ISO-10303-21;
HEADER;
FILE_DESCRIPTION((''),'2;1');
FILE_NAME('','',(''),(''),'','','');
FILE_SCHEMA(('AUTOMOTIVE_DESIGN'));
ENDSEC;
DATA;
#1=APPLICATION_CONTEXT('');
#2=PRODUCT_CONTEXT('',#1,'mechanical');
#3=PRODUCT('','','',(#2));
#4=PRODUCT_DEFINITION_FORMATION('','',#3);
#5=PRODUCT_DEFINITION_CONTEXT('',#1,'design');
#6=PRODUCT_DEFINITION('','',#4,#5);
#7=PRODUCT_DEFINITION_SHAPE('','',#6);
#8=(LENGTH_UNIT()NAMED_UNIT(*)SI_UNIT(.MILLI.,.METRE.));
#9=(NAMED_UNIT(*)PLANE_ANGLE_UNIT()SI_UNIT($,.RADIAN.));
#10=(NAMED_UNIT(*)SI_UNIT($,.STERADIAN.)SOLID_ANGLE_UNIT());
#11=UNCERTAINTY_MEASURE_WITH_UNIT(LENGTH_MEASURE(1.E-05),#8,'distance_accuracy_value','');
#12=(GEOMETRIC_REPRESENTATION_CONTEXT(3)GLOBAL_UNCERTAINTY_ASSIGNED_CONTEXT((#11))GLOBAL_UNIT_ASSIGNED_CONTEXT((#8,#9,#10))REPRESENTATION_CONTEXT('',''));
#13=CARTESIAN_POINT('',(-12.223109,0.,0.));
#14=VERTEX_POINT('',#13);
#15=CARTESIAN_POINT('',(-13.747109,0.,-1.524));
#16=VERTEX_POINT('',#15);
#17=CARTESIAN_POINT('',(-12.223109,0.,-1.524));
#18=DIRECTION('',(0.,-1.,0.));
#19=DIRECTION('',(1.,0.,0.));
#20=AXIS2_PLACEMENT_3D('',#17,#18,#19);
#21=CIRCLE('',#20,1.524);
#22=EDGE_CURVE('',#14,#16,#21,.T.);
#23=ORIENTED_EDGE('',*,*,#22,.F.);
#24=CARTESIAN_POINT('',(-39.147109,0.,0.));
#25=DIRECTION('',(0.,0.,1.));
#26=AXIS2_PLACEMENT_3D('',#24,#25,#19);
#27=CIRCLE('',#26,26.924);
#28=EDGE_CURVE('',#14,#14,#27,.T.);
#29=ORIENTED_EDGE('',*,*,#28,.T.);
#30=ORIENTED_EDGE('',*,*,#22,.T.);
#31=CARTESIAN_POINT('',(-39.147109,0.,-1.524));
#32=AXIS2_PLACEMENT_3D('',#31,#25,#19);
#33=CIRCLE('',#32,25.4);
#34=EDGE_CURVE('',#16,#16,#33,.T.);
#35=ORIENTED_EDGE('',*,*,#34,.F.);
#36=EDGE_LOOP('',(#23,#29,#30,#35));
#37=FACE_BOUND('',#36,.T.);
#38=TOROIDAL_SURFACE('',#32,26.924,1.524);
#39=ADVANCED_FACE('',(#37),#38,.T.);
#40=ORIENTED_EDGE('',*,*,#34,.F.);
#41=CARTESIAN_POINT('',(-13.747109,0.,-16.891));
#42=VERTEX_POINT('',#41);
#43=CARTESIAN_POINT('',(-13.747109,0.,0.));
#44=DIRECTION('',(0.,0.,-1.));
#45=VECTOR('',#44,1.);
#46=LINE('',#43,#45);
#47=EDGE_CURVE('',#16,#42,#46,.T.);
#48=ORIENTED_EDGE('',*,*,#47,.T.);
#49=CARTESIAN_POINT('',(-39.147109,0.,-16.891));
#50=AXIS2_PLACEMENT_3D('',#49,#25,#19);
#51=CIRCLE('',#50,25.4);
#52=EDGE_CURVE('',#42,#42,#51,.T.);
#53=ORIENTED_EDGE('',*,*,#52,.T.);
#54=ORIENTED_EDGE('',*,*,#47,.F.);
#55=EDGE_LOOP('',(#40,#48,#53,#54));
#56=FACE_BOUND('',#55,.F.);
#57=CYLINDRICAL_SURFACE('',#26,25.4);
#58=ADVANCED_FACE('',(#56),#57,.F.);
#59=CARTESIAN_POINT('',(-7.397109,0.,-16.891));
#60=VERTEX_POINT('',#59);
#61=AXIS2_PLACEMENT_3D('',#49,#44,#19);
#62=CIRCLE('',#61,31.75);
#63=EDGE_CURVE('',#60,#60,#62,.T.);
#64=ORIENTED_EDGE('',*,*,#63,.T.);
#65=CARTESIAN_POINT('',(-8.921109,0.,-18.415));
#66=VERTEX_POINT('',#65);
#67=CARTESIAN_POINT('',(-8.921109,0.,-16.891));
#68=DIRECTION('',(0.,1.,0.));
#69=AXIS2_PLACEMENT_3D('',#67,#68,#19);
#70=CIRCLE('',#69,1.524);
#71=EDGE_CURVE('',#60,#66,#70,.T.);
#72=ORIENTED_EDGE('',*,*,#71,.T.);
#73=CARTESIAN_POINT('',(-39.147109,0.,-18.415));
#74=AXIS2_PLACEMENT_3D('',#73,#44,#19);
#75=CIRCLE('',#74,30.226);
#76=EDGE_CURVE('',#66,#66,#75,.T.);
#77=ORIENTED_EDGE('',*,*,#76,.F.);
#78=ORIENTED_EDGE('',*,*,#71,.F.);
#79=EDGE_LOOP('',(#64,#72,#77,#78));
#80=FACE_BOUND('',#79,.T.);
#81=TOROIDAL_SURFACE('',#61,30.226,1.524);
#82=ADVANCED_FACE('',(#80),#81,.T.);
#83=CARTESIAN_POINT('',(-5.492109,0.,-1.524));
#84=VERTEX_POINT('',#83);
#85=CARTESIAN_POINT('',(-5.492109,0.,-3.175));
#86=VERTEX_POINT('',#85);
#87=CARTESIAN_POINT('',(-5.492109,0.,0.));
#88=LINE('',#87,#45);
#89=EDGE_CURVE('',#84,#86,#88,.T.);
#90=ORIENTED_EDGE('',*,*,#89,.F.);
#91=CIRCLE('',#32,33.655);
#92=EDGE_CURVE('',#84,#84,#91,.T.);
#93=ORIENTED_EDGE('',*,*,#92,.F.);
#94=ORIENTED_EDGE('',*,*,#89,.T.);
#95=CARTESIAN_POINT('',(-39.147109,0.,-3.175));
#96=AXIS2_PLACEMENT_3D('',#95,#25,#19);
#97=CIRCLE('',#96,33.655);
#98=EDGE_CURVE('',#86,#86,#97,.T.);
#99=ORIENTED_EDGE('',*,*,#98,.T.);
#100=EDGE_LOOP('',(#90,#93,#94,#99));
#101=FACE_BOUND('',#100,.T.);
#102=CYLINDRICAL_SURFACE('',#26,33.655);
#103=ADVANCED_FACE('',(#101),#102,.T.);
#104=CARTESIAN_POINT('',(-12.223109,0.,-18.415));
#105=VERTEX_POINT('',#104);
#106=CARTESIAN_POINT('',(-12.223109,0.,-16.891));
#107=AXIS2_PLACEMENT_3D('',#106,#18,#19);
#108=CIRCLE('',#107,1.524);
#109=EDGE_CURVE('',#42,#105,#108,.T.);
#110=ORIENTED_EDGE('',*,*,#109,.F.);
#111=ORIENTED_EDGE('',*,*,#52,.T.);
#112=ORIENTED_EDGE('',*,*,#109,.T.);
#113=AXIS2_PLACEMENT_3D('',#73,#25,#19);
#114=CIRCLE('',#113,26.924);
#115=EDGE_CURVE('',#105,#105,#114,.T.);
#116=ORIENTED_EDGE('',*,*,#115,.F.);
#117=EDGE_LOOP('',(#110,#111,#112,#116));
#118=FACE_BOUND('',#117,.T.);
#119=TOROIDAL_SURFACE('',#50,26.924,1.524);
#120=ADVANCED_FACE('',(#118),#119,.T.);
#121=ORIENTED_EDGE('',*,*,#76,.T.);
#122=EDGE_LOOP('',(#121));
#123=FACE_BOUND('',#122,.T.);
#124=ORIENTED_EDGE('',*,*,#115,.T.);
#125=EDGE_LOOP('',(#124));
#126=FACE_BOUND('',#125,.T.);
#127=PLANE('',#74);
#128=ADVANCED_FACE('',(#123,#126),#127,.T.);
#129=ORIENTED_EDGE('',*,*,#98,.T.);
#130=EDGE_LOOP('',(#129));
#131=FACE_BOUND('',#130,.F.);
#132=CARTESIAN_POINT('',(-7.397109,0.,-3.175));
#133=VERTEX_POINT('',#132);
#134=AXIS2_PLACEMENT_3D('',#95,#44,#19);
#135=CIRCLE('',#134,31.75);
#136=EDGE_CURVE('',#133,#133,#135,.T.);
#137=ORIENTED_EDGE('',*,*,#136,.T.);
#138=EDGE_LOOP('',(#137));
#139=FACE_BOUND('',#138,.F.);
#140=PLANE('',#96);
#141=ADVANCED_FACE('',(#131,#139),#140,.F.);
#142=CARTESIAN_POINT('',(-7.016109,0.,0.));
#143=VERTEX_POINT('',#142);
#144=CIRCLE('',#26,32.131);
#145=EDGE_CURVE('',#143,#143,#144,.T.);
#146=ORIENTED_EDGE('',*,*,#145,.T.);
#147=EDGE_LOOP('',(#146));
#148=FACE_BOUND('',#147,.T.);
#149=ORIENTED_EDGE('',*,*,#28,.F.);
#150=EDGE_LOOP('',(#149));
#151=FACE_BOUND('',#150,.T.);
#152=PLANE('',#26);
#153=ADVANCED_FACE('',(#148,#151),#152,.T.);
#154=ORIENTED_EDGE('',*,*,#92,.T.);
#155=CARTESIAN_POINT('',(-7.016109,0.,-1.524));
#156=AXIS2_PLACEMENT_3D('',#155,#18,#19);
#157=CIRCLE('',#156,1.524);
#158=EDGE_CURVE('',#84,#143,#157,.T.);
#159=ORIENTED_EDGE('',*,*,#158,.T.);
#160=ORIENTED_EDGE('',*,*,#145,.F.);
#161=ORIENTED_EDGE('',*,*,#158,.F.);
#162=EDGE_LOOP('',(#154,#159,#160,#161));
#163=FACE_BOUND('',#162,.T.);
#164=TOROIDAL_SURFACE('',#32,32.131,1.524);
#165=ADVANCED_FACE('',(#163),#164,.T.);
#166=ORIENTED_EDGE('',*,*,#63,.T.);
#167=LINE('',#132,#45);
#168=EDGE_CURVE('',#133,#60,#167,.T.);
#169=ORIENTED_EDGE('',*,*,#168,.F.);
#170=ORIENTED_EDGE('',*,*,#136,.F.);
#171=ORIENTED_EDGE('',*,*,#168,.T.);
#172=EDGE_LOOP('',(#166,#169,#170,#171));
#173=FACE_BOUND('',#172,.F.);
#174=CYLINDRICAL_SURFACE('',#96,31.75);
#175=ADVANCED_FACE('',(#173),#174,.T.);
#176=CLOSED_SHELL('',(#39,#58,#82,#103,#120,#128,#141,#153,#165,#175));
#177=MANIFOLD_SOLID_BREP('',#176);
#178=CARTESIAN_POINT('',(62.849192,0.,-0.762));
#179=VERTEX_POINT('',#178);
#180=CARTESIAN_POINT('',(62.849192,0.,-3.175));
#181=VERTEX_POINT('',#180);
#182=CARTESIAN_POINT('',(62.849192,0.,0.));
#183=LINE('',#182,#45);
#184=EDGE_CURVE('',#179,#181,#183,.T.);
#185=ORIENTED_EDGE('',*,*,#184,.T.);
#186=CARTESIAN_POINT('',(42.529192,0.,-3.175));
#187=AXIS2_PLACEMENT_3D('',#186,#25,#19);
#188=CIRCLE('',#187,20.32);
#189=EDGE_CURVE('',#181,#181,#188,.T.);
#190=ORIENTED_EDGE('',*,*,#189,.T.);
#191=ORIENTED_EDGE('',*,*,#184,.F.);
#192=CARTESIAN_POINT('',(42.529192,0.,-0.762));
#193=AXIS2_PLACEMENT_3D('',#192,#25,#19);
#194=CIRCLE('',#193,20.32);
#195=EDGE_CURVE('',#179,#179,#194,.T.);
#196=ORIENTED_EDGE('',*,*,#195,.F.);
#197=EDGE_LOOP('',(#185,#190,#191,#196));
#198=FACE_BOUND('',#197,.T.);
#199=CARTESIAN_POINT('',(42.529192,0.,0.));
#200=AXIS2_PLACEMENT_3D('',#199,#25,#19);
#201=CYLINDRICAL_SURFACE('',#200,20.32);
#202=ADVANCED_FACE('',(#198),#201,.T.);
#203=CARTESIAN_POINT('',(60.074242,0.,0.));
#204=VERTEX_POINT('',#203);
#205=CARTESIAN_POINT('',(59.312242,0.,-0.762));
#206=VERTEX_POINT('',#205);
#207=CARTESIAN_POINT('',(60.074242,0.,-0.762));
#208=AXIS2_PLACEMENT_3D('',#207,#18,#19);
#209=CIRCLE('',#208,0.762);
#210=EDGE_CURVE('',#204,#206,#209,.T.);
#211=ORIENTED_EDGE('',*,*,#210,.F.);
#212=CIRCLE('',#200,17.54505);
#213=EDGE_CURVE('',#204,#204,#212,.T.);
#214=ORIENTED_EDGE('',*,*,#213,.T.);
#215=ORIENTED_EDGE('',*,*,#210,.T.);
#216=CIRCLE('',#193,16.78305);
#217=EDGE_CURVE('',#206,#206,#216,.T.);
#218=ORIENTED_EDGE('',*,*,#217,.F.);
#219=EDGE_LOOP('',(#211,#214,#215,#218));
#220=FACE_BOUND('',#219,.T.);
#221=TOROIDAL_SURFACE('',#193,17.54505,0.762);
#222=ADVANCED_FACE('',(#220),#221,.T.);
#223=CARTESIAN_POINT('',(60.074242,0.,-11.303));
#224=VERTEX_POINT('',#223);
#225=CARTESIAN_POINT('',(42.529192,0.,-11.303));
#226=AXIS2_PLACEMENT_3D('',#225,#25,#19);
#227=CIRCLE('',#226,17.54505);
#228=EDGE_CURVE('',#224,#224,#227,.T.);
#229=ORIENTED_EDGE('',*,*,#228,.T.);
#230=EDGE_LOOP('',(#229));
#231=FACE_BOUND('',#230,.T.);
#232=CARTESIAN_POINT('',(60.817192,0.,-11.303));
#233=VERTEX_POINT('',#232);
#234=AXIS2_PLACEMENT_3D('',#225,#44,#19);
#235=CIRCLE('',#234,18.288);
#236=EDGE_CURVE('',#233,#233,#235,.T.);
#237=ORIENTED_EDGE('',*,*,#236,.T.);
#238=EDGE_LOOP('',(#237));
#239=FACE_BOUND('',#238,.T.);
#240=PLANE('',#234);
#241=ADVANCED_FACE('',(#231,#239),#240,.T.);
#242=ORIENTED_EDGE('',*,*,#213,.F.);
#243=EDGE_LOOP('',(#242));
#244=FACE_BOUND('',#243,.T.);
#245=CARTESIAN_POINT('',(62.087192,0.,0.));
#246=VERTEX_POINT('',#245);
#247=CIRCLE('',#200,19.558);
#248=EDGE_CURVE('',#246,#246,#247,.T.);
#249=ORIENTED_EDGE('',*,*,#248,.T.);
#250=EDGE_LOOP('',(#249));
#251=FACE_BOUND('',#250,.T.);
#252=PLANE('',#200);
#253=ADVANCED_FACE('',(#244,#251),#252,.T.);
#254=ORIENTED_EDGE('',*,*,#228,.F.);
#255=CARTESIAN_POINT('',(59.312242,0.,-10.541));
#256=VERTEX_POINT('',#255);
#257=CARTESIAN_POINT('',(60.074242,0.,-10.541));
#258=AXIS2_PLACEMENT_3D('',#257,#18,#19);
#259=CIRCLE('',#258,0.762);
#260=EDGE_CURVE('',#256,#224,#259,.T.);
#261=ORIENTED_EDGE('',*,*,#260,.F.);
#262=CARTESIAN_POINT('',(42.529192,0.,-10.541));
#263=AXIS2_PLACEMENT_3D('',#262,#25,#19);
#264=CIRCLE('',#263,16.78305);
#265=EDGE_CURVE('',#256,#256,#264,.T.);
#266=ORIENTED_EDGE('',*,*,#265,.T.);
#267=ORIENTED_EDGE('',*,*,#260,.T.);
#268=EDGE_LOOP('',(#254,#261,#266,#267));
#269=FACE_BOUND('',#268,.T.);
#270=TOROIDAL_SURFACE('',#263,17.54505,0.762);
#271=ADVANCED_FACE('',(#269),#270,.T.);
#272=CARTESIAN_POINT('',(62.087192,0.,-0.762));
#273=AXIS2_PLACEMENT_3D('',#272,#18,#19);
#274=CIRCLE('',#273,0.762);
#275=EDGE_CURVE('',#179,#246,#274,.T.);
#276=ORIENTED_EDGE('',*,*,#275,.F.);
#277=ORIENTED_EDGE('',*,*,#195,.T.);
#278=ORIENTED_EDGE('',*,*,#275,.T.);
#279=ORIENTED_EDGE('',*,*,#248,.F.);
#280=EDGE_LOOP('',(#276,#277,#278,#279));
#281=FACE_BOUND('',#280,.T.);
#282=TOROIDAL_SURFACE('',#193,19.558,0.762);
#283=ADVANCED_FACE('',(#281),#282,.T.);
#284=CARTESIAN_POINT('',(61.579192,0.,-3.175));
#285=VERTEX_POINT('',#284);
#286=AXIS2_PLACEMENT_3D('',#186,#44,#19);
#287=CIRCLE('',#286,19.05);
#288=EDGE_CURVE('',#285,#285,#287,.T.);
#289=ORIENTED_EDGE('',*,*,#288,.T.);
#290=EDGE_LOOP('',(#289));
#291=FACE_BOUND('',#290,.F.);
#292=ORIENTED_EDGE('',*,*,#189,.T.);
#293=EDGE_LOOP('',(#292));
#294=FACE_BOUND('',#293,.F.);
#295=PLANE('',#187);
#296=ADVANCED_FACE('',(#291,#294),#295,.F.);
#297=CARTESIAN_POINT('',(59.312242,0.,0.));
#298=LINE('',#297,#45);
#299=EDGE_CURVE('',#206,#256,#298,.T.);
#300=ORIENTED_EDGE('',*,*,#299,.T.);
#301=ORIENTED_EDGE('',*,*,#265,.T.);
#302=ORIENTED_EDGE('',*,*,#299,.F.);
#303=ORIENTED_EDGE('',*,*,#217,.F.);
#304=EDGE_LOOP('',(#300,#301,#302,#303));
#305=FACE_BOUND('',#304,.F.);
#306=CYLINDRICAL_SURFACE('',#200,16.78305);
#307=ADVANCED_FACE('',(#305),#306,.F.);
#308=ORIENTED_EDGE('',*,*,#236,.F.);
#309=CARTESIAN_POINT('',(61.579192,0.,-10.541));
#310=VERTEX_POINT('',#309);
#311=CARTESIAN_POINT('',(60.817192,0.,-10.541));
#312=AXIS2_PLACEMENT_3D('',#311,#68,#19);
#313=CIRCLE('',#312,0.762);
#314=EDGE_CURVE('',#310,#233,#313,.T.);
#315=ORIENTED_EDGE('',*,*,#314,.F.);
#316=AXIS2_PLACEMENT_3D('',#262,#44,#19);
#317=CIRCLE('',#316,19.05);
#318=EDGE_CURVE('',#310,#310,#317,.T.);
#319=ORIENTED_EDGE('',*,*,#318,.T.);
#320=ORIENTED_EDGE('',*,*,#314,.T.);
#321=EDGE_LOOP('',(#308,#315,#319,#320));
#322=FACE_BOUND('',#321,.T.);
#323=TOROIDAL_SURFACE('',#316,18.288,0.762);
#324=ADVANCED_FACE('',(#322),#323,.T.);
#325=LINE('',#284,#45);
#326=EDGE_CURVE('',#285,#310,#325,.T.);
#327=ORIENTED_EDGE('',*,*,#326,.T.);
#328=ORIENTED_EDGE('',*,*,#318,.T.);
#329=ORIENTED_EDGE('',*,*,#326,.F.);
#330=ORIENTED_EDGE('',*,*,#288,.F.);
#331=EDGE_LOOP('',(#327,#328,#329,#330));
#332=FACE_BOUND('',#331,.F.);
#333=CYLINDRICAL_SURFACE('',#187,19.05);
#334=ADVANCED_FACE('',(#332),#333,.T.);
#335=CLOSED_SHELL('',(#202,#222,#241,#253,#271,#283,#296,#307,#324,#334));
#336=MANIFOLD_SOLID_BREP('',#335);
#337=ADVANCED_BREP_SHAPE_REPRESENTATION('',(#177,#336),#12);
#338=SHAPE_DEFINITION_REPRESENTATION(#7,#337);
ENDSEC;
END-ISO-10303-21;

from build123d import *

# Parameters (mm, degrees)
F0_R     = 33.655
F0_R_2   = 20.32
F1_DEPTH = 3.175
F2_R     = 31.75
F3_DEPTH = 15.24
F4_R     = 19.05
F5_DEPTH = 8.128
F6_R     = 25.4
F7_DEPTH = 25.4
F8_R     = 16.78305
F9_DEPTH = 25.4
F10_R    = 1.524
F11_R    = 0.762


with BuildPart() as f1:
    # F0 (on Top) → F1 (new body)
    with BuildSketch(Plane.XY):
        with Locations((-39.147109, 0)):
            Circle(F0_R)
        with Locations((42.529192, 0)):
            Circle(F0_R_2)
    extrude(amount=-F1_DEPTH)

    # F2 (on face) → F3 (join)
    with BuildSketch(Plane(origin=(0, 0, -3.175), x_dir=(1, 0, 0), z_dir=(0, 0, -1))):
        with Locations((-39.147109, 0)):
            Circle(F2_R)
    extrude(amount=F3_DEPTH)

    # F4 (on face) → F5 (join)
    with BuildSketch(Plane(origin=(0, 0, -3.175), x_dir=(1, 0, 0), z_dir=(0, 0, -1))):
        with Locations((42.529192, 0)):
            Circle(F4_R)
    extrude(amount=F5_DEPTH)

    # F6 (on face) → F7 (cut)
    with BuildSketch(Plane.XY):
        with Locations((-39.147109, 0)):
            Circle(F6_R)
    extrude(amount=-F7_DEPTH, mode=Mode.SUBTRACT)

    # F8 (on face) → F9 (cut)
    with BuildSketch(Plane.XY):
        with Locations((42.529192, 0)):
            Circle(F8_R)
    extrude(amount=-F9_DEPTH, mode=Mode.SUBTRACT)

    # F10
    f10_edges = [f1.edges().sort_by_distance(p)[0] for p in [
        (-64.547109, 0, 0),
        (-72.802109, 0, 0),
        (-64.547109, 0, -18.415),
        (-70.897109, 0, -18.415),
    ]]
    fillet(f10_edges, radius=F10_R)

    # F11
    f11_edges = [f1.edges().sort_by_distance(p)[0] for p in [
        (25.746142, 0, 0),
        (22.209192, 0, 0),
        (25.746142, 0, -11.303),
        (23.479192, 0, -11.303),
    ]]
    fillet(f11_edges, radius=F11_R)


solid = f1.part
